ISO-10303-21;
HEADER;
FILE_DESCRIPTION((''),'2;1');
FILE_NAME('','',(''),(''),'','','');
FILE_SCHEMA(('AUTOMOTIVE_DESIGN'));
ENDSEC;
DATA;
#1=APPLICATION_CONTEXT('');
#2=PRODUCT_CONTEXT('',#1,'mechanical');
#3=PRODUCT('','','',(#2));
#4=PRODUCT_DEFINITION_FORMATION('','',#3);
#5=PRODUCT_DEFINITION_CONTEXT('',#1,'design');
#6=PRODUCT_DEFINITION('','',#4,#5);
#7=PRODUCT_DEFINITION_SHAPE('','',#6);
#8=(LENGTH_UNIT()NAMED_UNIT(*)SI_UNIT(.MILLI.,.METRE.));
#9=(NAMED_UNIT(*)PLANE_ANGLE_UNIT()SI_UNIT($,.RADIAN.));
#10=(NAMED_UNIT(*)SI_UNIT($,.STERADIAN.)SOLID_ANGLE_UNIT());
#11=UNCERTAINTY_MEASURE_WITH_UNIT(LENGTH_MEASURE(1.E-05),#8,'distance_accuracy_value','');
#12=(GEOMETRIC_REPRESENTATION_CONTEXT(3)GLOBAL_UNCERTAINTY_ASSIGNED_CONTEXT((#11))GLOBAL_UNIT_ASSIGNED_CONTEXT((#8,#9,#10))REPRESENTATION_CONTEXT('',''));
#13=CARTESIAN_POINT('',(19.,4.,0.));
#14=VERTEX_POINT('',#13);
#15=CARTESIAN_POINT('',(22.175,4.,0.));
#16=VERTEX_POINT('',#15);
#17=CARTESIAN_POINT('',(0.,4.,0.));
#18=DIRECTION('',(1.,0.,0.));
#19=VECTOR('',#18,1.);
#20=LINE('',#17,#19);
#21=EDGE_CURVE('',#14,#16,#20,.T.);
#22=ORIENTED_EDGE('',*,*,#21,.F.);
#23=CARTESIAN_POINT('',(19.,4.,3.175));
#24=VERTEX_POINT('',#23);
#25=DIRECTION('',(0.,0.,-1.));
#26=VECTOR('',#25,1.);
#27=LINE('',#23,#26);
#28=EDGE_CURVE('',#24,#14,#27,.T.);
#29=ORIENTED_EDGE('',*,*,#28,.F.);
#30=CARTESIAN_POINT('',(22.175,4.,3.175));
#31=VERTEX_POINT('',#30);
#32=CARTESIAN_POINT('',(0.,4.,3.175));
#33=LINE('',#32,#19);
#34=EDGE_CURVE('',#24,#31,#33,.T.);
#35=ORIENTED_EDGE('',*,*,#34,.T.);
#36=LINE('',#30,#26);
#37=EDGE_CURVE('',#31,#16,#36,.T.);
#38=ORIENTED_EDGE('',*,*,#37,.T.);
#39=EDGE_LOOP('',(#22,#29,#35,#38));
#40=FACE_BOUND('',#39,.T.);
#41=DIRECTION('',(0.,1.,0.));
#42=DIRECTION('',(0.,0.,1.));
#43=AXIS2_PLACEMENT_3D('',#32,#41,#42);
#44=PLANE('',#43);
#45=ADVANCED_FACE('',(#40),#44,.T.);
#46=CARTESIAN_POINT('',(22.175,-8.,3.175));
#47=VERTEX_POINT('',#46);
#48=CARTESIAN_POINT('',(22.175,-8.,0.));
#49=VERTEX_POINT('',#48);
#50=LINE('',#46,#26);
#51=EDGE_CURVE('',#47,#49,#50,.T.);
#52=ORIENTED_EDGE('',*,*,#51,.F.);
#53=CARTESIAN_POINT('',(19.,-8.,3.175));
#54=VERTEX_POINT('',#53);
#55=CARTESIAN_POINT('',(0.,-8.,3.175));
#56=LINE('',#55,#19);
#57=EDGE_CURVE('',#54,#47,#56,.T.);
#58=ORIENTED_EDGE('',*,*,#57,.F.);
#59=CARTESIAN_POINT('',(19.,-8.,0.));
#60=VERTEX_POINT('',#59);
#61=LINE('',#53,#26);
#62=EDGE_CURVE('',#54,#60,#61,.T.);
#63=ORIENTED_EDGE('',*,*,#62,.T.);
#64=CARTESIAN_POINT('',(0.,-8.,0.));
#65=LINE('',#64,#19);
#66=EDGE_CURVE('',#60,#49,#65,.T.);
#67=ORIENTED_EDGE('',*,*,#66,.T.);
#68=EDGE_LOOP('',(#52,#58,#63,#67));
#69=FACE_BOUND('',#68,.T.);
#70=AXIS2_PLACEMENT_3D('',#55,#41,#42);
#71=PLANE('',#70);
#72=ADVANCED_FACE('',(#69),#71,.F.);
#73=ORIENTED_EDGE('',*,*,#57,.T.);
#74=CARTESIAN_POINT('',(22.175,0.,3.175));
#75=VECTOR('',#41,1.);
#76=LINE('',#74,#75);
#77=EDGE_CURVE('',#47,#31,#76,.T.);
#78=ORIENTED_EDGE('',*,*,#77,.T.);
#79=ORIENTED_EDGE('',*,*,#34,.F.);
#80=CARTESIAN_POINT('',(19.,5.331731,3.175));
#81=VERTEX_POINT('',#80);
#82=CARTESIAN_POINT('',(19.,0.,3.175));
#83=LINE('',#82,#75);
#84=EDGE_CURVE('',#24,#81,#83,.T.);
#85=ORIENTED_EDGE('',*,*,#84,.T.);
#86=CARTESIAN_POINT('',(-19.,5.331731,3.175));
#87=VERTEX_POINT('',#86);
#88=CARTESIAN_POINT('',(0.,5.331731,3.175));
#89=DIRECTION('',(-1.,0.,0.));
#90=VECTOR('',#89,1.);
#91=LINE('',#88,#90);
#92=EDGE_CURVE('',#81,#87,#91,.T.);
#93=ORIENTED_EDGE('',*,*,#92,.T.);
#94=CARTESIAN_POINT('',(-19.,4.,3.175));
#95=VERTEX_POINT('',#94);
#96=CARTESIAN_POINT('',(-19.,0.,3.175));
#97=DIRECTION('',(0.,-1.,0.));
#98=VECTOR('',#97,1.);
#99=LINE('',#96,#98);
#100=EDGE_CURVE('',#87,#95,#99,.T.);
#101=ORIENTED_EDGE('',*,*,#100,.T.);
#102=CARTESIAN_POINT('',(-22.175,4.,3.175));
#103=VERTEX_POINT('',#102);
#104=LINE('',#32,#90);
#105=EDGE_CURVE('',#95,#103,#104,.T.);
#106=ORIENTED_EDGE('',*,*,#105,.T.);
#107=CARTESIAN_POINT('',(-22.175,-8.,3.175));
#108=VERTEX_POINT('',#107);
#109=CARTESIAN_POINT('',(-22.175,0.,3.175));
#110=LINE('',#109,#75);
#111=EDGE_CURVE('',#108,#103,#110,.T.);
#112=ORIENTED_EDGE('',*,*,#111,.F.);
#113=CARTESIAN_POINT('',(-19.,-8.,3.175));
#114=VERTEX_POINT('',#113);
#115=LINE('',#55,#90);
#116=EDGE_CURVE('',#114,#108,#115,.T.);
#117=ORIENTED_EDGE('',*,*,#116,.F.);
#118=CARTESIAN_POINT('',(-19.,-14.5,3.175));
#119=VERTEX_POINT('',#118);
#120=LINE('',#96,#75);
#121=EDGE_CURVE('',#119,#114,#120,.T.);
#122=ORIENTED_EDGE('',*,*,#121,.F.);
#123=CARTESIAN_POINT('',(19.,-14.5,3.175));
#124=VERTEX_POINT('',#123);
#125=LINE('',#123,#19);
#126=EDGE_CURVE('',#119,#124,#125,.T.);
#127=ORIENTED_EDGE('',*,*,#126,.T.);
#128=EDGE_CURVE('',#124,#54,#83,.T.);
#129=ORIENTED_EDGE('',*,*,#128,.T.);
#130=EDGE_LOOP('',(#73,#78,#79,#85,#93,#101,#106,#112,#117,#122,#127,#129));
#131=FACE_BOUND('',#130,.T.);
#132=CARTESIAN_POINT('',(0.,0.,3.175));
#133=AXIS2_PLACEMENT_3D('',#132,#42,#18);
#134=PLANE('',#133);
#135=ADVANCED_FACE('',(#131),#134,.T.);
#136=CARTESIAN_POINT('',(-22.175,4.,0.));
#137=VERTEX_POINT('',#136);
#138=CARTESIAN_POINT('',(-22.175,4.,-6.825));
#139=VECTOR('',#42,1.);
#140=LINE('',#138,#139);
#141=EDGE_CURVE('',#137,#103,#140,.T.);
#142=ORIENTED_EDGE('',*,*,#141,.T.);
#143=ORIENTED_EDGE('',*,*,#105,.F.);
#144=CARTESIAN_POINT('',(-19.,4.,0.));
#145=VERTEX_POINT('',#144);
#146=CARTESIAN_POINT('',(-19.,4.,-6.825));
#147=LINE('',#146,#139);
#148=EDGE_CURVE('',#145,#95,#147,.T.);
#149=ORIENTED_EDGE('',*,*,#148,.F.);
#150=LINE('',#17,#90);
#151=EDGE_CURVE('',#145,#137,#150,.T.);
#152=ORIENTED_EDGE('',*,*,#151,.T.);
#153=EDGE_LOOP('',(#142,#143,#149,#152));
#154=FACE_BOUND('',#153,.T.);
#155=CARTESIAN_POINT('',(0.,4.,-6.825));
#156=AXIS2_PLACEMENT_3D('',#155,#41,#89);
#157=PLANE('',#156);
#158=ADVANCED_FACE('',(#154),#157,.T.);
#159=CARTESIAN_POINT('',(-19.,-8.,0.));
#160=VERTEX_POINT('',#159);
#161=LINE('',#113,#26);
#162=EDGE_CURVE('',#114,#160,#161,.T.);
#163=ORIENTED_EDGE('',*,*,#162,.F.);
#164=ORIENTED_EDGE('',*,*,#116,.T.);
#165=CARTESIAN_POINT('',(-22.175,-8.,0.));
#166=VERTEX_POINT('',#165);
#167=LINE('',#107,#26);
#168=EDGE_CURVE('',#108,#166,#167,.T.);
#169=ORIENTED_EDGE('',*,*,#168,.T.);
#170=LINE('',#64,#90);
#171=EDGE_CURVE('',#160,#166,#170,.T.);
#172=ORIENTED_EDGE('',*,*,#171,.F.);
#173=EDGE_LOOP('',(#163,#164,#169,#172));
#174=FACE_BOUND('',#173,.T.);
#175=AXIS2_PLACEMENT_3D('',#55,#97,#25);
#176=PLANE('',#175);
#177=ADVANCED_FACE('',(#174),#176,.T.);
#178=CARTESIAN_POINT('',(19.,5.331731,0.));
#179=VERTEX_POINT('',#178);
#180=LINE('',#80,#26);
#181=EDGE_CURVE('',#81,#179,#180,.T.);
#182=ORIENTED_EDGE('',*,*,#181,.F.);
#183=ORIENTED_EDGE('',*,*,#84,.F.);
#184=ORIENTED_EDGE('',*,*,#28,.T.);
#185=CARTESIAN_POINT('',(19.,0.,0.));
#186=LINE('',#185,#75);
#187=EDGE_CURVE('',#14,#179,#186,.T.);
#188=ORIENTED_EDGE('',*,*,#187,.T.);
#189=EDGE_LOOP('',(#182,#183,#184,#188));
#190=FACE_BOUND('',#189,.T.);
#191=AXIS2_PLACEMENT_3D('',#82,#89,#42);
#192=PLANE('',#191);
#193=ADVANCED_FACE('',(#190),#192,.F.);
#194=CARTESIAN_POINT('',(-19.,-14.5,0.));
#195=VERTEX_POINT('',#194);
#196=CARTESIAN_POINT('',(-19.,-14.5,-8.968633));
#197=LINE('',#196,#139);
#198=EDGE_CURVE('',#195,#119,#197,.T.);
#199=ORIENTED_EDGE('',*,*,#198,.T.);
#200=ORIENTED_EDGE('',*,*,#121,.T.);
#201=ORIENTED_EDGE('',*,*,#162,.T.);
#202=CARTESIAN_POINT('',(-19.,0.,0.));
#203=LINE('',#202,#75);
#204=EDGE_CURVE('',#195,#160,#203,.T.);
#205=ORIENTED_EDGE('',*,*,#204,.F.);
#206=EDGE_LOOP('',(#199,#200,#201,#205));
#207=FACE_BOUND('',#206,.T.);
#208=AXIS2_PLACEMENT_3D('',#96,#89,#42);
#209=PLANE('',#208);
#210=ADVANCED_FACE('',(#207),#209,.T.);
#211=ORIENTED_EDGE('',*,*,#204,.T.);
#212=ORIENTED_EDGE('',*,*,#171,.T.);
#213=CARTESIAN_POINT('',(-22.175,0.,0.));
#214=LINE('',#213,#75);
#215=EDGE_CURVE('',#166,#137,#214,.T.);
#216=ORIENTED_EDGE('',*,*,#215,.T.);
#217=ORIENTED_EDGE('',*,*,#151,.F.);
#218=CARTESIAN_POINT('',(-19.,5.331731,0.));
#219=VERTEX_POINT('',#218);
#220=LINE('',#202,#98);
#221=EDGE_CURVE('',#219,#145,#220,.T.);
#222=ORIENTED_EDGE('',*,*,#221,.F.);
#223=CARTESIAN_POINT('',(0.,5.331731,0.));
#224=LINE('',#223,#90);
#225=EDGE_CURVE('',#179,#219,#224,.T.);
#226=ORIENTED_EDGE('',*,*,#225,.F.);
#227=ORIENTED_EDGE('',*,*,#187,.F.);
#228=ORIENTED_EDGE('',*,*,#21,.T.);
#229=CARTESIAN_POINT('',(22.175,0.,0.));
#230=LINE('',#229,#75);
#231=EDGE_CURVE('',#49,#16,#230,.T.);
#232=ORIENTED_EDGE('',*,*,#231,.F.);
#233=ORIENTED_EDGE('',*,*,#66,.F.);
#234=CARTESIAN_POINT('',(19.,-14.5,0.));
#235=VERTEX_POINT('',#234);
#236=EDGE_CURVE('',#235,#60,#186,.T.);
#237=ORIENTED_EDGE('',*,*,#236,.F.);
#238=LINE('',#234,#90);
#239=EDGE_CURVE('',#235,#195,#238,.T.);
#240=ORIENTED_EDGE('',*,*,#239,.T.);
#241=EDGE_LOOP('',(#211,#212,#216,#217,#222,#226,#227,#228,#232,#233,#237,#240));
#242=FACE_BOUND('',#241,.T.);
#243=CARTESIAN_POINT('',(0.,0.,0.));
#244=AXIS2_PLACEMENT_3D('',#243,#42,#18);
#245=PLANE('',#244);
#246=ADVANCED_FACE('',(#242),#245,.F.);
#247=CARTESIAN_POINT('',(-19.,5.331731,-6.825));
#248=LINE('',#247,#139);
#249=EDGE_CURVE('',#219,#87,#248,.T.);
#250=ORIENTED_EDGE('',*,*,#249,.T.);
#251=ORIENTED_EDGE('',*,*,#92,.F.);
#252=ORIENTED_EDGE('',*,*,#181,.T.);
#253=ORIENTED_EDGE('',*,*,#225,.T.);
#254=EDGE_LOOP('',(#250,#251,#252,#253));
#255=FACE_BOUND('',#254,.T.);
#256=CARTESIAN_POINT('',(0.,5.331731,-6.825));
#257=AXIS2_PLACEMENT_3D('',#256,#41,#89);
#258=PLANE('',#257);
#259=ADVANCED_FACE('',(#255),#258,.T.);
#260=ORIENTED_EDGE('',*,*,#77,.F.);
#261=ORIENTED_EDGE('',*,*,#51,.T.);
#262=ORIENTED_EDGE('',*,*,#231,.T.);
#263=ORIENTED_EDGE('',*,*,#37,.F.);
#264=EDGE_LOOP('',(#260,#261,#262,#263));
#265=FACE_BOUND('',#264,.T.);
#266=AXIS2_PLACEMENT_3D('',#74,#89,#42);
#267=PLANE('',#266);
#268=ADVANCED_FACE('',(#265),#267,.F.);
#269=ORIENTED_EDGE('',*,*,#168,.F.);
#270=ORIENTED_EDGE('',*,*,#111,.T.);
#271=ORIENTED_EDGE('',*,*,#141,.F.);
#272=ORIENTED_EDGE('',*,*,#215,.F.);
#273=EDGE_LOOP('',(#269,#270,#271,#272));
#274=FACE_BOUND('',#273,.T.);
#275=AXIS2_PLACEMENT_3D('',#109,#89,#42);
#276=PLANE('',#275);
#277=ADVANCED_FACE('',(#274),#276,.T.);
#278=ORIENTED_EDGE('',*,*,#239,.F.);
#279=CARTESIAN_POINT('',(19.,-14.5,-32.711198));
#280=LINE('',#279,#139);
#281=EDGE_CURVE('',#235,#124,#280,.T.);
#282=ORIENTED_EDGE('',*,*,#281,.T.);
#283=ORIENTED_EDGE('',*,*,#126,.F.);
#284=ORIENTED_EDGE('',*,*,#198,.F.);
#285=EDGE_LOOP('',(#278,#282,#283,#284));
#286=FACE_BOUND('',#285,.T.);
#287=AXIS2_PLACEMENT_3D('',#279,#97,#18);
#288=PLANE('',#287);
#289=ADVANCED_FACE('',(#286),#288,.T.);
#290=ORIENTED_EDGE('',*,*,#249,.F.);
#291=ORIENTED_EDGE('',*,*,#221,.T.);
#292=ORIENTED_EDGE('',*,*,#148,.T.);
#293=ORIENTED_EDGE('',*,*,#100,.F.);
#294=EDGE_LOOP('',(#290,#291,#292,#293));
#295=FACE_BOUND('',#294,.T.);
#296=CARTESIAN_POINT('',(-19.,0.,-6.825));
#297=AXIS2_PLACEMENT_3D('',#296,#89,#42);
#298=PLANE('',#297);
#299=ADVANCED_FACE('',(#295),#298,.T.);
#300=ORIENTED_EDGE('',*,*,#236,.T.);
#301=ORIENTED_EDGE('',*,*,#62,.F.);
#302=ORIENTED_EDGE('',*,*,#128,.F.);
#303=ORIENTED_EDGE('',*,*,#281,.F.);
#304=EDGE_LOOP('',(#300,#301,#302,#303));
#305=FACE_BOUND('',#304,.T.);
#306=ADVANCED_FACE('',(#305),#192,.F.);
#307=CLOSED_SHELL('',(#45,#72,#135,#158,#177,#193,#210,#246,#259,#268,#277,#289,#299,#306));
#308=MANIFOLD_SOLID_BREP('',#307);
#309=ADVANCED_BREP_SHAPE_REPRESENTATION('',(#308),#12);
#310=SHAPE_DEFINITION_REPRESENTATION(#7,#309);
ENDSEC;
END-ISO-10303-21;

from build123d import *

# Parameters (mm, degrees)
SKETCH1_W           = 3.175
SKETCH1_H           = 12
SKETCH1_H_2         = 18
BOSS_EXTRUDE1_DEPTH = 3.175
SKETCH2_W           = 32.65
SKETCH2_H           = 2
BOSS_EXTRUDE2_DEPTH = 3.175
SKETCH3_W           = 3.175
SKETCH3_H           = 1.331730769
CUT_EXTRUDE2_DEPTH  = 10
SKETCH5_W           = 5.35
SKETCH5_H           = 2
BOSS_EXTRUDE5_DEPTH = 3.175


with BuildPart() as part:
    # Sketch1 → Boss-Extrude1 (new body)
    with BuildSketch(Plane.XY):
        Polygon((19, 5.331730769), (-19, 12.5), (-19, 10), (-19, -8), (-19, -12.5), (19, -12.5), (19, -8), (19, 4), align=None)
        with Locations((20.5875, -2)):
            Rectangle(SKETCH1_W, SKETCH1_H)
        with Locations((-20.5875, 1)):
            Rectangle(SKETCH1_W, SKETCH1_H_2)
    extrude(amount=BOSS_EXTRUDE1_DEPTH)

    # Sketch2 → Boss-Extrude2 (add)
    with BuildSketch(Plane.XY.offset(3.175)):
        with Locations((2.675, -13.5)):
            Rectangle(SKETCH2_W, SKETCH2_H)
    extrude(amount=-BOSS_EXTRUDE2_DEPTH)

    # Sketch3 → Cut-Extrude2 (cut)
    with BuildSketch(Plane.XY.offset(3.175)):
        with Locations((-20.5875, 4.665865384)):
            Rectangle(SKETCH3_W, SKETCH3_H)
        Polygon((-19, 5.331730769), (-19, 9.853630911), (-19, 10), (-22.175, 10), (-22.175, 5.331730769), align=None)
        Polygon((-19, 10), (-19, 9.853630911), (-19, 5.331730769), (19, 5.331730769), (-11.823223146, 11.146182403), (-19, 11.146182403), align=None)
        Polygon((-19, 12.5), (-19, 11.146182403), (-11.823223146, 11.146182403), align=None)
    extrude(amount=-CUT_EXTRUDE2_DEPTH, mode=Mode.SUBTRACT)

    # Sketch5 → Boss-Extrude5 (add)
    with BuildSketch(Plane.XY.offset(3.175)):
        with Locations((-16.325, -13.5)):
            Rectangle(SKETCH5_W, SKETCH5_H)
    extrude(amount=-BOSS_EXTRUDE5_DEPTH)


solid = part.part
